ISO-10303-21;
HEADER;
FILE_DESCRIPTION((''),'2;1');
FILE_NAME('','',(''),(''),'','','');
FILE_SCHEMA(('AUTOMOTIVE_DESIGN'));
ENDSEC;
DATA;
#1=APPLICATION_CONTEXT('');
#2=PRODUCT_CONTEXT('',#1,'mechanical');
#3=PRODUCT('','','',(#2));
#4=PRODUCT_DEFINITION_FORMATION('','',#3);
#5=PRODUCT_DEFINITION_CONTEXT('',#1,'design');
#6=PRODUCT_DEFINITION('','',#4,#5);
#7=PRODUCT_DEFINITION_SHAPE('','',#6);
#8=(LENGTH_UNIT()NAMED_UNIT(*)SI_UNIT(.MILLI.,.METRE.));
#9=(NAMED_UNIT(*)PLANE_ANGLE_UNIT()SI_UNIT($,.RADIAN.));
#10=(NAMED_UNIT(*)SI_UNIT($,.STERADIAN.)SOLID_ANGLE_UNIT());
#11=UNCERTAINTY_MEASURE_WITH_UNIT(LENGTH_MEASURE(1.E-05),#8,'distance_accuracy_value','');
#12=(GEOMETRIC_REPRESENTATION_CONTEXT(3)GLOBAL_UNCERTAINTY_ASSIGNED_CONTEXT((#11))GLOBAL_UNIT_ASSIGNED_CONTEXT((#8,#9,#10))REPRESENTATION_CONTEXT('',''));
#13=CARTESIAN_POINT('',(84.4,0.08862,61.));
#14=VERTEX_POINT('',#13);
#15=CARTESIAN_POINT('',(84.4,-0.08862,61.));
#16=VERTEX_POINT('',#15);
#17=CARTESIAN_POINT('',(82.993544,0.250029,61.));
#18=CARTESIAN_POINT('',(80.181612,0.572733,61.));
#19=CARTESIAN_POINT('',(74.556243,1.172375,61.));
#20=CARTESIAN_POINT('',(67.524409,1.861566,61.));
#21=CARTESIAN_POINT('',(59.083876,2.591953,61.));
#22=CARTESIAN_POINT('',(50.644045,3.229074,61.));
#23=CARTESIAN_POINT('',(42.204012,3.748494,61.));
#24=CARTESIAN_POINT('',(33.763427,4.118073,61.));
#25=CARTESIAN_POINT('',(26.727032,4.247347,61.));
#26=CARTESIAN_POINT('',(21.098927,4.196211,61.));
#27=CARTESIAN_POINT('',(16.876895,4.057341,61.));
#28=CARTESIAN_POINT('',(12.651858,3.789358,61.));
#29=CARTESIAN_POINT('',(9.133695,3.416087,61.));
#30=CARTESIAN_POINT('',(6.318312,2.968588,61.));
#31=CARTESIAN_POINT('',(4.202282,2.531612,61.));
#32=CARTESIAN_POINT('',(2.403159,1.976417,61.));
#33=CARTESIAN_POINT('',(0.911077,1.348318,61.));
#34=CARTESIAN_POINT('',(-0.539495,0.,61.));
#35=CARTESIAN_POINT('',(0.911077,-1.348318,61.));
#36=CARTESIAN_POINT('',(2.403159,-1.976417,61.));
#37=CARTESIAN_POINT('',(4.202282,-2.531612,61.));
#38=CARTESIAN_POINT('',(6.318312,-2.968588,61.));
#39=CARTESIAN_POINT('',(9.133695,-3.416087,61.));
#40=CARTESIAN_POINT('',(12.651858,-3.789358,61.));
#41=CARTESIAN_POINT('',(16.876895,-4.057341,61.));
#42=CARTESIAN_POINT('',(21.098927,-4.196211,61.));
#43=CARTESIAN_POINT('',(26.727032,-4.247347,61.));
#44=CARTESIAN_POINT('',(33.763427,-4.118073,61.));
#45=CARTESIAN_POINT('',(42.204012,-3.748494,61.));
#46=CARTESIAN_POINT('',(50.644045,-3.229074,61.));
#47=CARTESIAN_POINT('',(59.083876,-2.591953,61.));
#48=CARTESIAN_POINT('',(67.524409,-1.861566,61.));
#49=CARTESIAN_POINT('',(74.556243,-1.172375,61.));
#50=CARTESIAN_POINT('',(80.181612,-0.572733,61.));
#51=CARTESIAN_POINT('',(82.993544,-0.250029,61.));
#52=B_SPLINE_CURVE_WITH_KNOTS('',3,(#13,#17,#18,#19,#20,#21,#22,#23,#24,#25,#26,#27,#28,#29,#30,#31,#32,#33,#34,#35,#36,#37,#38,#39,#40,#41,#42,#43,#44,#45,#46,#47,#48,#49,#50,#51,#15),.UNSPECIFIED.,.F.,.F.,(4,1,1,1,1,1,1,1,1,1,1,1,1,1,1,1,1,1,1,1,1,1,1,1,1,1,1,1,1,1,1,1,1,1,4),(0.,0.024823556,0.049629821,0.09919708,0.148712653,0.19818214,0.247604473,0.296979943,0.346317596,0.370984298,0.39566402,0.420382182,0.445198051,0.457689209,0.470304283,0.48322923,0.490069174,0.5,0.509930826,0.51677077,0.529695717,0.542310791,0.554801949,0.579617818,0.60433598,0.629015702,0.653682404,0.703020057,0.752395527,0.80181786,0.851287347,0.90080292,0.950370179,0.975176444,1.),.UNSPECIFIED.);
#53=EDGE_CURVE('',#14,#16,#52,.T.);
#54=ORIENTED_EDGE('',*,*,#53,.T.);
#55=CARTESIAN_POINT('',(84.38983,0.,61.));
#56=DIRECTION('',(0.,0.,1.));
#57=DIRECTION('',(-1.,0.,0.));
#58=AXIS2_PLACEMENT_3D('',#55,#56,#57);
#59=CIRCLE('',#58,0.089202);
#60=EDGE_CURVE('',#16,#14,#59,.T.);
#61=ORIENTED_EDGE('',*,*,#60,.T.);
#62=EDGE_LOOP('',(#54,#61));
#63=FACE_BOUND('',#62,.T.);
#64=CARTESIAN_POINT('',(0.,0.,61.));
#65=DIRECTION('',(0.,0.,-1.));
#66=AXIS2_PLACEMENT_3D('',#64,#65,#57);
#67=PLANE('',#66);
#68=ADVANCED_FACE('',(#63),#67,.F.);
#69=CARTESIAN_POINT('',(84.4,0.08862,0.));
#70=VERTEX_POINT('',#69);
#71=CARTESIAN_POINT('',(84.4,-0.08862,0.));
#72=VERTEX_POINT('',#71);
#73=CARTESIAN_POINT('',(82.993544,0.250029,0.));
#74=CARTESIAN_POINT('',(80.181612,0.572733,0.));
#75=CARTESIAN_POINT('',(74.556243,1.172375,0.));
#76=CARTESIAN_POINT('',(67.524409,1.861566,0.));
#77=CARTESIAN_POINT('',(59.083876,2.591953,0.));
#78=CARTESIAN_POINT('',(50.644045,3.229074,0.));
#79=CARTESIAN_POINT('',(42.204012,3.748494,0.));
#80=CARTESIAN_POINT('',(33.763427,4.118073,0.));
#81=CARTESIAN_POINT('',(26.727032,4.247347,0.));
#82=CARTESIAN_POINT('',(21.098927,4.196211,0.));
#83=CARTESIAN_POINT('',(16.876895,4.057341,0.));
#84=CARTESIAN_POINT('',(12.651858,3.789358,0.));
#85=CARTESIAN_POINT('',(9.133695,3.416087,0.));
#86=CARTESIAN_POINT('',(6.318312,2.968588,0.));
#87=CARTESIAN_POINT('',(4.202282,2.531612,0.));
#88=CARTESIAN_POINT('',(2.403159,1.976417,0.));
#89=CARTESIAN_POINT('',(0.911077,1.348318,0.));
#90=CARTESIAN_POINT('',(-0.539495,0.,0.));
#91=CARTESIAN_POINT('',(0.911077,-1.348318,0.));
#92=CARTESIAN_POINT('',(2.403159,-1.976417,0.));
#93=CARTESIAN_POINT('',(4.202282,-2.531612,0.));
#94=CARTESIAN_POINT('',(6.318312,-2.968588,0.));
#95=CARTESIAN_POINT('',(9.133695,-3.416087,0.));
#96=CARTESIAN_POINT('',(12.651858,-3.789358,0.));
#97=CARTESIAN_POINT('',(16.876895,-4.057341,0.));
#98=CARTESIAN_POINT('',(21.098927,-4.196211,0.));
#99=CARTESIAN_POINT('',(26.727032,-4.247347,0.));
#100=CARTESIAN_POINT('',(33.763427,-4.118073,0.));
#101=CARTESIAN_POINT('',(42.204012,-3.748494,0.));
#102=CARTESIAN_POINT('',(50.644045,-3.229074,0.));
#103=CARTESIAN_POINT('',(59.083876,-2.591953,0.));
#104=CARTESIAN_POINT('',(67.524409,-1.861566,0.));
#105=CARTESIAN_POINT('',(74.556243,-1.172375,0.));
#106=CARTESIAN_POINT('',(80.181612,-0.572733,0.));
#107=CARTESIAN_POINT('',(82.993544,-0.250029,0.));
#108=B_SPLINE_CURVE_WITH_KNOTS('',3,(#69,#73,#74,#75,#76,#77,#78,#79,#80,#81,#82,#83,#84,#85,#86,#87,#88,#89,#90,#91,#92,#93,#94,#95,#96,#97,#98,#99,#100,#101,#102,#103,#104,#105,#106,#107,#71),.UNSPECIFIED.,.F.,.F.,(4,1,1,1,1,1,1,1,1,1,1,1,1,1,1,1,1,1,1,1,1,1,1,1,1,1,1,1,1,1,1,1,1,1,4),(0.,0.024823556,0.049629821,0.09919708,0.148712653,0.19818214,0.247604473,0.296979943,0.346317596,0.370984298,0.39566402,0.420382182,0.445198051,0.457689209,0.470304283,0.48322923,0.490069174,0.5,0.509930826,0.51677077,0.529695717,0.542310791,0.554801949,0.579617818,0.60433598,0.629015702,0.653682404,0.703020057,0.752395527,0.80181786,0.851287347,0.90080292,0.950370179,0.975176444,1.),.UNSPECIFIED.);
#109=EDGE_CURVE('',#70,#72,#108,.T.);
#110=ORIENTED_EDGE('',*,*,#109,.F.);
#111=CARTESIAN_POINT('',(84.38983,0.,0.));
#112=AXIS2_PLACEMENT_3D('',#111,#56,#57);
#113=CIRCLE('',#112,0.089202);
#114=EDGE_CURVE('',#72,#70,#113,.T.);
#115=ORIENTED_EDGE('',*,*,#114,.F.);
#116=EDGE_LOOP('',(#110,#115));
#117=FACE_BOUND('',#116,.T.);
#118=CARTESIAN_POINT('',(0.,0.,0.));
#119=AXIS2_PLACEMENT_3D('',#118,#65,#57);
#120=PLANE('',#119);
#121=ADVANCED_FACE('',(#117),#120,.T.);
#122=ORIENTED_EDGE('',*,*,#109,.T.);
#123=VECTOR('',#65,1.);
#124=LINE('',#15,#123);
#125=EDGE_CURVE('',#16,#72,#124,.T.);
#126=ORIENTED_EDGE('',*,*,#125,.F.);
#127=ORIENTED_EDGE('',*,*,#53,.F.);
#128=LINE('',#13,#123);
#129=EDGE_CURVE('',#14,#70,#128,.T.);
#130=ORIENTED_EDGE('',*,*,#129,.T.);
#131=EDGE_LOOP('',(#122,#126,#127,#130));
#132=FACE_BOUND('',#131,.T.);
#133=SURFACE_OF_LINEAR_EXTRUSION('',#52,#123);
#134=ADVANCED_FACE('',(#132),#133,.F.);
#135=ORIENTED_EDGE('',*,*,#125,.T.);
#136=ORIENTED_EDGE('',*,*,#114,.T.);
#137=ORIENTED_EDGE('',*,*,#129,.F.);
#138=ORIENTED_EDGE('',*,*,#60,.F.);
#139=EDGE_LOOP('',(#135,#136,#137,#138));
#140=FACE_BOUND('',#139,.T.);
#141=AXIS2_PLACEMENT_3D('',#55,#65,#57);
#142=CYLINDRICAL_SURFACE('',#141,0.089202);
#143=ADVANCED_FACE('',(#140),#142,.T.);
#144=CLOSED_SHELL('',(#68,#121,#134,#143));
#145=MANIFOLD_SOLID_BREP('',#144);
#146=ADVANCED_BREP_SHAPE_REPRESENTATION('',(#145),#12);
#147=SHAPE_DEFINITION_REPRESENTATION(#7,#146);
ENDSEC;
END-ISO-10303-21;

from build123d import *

# Parameters (mm, degrees)
BOSS_EXTRUDE1_DEPTH = 61


with BuildPart() as part:
    # Sketch1 → Boss-Extrude1 (new body)
    with BuildSketch(Plane.XY):
        with BuildLine():
            ThreePointArc((84.4, 0.08862), (84.479031413, 0), (84.4, -0.08862))
            add(Edge.make_bspline(
                [(84.4, 0.08862), (82.99354398, 0.250028543), (80.181611631, 0.572733197), (74.556242743, 1.172374926), (67.524408719, 1.861565682), (59.083875583, 2.591952538), (50.644045263, 3.229074083), (42.204012234, 3.748494441), (33.763427247, 4.118072827), (26.727032266, 4.2473469), (21.098926783, 4.196210749), (16.876895434, 4.057340988), (12.651857812, 3.789358064), (9.13369492, 3.416086631), (6.318312417, 2.968587515), (4.202282127, 2.531612376), (2.403159114, 1.976416661), (0.911077233, 1.348317949), (-0.53949518, 0), (0.911077233, -1.348317949), (2.403159114, -1.976416661), (4.202282127, -2.531612376), (6.318312417, -2.968587515), (9.13369492, -3.416086631), (12.651857812, -3.789358064), (16.876895434, -4.057340988), (21.098926783, -4.196210749), (26.727032266, -4.2473469), (33.763427247, -4.118072827), (42.204012234, -3.748494441), (50.644045263, -3.229074083), (59.083875583, -2.591952538), (67.524408719, -1.861565682), (74.556242743, -1.172374926), (80.181611631, -0.572733197), (82.99354398, -0.250028543), (84.4, -0.08862)],
                knots=[0, 0, 0, 0, 0.024823556, 0.049629821, 0.09919708, 0.148712653, 0.19818214, 0.247604473, 0.296979943, 0.346317596, 0.370984298, 0.39566402, 0.420382182, 0.445198051, 0.457689209, 0.470304283, 0.48322923, 0.490069174, 0.5, 0.509930826, 0.51677077, 0.529695717, 0.542310791, 0.554801949, 0.579617818, 0.60433598, 0.629015702, 0.653682404, 0.703020057, 0.752395527, 0.80181786, 0.851287347, 0.90080292, 0.950370179, 0.975176444, 1, 1, 1, 1], degree=3))
        make_face()
    extrude(amount=BOSS_EXTRUDE1_DEPTH)


solid = part.part
